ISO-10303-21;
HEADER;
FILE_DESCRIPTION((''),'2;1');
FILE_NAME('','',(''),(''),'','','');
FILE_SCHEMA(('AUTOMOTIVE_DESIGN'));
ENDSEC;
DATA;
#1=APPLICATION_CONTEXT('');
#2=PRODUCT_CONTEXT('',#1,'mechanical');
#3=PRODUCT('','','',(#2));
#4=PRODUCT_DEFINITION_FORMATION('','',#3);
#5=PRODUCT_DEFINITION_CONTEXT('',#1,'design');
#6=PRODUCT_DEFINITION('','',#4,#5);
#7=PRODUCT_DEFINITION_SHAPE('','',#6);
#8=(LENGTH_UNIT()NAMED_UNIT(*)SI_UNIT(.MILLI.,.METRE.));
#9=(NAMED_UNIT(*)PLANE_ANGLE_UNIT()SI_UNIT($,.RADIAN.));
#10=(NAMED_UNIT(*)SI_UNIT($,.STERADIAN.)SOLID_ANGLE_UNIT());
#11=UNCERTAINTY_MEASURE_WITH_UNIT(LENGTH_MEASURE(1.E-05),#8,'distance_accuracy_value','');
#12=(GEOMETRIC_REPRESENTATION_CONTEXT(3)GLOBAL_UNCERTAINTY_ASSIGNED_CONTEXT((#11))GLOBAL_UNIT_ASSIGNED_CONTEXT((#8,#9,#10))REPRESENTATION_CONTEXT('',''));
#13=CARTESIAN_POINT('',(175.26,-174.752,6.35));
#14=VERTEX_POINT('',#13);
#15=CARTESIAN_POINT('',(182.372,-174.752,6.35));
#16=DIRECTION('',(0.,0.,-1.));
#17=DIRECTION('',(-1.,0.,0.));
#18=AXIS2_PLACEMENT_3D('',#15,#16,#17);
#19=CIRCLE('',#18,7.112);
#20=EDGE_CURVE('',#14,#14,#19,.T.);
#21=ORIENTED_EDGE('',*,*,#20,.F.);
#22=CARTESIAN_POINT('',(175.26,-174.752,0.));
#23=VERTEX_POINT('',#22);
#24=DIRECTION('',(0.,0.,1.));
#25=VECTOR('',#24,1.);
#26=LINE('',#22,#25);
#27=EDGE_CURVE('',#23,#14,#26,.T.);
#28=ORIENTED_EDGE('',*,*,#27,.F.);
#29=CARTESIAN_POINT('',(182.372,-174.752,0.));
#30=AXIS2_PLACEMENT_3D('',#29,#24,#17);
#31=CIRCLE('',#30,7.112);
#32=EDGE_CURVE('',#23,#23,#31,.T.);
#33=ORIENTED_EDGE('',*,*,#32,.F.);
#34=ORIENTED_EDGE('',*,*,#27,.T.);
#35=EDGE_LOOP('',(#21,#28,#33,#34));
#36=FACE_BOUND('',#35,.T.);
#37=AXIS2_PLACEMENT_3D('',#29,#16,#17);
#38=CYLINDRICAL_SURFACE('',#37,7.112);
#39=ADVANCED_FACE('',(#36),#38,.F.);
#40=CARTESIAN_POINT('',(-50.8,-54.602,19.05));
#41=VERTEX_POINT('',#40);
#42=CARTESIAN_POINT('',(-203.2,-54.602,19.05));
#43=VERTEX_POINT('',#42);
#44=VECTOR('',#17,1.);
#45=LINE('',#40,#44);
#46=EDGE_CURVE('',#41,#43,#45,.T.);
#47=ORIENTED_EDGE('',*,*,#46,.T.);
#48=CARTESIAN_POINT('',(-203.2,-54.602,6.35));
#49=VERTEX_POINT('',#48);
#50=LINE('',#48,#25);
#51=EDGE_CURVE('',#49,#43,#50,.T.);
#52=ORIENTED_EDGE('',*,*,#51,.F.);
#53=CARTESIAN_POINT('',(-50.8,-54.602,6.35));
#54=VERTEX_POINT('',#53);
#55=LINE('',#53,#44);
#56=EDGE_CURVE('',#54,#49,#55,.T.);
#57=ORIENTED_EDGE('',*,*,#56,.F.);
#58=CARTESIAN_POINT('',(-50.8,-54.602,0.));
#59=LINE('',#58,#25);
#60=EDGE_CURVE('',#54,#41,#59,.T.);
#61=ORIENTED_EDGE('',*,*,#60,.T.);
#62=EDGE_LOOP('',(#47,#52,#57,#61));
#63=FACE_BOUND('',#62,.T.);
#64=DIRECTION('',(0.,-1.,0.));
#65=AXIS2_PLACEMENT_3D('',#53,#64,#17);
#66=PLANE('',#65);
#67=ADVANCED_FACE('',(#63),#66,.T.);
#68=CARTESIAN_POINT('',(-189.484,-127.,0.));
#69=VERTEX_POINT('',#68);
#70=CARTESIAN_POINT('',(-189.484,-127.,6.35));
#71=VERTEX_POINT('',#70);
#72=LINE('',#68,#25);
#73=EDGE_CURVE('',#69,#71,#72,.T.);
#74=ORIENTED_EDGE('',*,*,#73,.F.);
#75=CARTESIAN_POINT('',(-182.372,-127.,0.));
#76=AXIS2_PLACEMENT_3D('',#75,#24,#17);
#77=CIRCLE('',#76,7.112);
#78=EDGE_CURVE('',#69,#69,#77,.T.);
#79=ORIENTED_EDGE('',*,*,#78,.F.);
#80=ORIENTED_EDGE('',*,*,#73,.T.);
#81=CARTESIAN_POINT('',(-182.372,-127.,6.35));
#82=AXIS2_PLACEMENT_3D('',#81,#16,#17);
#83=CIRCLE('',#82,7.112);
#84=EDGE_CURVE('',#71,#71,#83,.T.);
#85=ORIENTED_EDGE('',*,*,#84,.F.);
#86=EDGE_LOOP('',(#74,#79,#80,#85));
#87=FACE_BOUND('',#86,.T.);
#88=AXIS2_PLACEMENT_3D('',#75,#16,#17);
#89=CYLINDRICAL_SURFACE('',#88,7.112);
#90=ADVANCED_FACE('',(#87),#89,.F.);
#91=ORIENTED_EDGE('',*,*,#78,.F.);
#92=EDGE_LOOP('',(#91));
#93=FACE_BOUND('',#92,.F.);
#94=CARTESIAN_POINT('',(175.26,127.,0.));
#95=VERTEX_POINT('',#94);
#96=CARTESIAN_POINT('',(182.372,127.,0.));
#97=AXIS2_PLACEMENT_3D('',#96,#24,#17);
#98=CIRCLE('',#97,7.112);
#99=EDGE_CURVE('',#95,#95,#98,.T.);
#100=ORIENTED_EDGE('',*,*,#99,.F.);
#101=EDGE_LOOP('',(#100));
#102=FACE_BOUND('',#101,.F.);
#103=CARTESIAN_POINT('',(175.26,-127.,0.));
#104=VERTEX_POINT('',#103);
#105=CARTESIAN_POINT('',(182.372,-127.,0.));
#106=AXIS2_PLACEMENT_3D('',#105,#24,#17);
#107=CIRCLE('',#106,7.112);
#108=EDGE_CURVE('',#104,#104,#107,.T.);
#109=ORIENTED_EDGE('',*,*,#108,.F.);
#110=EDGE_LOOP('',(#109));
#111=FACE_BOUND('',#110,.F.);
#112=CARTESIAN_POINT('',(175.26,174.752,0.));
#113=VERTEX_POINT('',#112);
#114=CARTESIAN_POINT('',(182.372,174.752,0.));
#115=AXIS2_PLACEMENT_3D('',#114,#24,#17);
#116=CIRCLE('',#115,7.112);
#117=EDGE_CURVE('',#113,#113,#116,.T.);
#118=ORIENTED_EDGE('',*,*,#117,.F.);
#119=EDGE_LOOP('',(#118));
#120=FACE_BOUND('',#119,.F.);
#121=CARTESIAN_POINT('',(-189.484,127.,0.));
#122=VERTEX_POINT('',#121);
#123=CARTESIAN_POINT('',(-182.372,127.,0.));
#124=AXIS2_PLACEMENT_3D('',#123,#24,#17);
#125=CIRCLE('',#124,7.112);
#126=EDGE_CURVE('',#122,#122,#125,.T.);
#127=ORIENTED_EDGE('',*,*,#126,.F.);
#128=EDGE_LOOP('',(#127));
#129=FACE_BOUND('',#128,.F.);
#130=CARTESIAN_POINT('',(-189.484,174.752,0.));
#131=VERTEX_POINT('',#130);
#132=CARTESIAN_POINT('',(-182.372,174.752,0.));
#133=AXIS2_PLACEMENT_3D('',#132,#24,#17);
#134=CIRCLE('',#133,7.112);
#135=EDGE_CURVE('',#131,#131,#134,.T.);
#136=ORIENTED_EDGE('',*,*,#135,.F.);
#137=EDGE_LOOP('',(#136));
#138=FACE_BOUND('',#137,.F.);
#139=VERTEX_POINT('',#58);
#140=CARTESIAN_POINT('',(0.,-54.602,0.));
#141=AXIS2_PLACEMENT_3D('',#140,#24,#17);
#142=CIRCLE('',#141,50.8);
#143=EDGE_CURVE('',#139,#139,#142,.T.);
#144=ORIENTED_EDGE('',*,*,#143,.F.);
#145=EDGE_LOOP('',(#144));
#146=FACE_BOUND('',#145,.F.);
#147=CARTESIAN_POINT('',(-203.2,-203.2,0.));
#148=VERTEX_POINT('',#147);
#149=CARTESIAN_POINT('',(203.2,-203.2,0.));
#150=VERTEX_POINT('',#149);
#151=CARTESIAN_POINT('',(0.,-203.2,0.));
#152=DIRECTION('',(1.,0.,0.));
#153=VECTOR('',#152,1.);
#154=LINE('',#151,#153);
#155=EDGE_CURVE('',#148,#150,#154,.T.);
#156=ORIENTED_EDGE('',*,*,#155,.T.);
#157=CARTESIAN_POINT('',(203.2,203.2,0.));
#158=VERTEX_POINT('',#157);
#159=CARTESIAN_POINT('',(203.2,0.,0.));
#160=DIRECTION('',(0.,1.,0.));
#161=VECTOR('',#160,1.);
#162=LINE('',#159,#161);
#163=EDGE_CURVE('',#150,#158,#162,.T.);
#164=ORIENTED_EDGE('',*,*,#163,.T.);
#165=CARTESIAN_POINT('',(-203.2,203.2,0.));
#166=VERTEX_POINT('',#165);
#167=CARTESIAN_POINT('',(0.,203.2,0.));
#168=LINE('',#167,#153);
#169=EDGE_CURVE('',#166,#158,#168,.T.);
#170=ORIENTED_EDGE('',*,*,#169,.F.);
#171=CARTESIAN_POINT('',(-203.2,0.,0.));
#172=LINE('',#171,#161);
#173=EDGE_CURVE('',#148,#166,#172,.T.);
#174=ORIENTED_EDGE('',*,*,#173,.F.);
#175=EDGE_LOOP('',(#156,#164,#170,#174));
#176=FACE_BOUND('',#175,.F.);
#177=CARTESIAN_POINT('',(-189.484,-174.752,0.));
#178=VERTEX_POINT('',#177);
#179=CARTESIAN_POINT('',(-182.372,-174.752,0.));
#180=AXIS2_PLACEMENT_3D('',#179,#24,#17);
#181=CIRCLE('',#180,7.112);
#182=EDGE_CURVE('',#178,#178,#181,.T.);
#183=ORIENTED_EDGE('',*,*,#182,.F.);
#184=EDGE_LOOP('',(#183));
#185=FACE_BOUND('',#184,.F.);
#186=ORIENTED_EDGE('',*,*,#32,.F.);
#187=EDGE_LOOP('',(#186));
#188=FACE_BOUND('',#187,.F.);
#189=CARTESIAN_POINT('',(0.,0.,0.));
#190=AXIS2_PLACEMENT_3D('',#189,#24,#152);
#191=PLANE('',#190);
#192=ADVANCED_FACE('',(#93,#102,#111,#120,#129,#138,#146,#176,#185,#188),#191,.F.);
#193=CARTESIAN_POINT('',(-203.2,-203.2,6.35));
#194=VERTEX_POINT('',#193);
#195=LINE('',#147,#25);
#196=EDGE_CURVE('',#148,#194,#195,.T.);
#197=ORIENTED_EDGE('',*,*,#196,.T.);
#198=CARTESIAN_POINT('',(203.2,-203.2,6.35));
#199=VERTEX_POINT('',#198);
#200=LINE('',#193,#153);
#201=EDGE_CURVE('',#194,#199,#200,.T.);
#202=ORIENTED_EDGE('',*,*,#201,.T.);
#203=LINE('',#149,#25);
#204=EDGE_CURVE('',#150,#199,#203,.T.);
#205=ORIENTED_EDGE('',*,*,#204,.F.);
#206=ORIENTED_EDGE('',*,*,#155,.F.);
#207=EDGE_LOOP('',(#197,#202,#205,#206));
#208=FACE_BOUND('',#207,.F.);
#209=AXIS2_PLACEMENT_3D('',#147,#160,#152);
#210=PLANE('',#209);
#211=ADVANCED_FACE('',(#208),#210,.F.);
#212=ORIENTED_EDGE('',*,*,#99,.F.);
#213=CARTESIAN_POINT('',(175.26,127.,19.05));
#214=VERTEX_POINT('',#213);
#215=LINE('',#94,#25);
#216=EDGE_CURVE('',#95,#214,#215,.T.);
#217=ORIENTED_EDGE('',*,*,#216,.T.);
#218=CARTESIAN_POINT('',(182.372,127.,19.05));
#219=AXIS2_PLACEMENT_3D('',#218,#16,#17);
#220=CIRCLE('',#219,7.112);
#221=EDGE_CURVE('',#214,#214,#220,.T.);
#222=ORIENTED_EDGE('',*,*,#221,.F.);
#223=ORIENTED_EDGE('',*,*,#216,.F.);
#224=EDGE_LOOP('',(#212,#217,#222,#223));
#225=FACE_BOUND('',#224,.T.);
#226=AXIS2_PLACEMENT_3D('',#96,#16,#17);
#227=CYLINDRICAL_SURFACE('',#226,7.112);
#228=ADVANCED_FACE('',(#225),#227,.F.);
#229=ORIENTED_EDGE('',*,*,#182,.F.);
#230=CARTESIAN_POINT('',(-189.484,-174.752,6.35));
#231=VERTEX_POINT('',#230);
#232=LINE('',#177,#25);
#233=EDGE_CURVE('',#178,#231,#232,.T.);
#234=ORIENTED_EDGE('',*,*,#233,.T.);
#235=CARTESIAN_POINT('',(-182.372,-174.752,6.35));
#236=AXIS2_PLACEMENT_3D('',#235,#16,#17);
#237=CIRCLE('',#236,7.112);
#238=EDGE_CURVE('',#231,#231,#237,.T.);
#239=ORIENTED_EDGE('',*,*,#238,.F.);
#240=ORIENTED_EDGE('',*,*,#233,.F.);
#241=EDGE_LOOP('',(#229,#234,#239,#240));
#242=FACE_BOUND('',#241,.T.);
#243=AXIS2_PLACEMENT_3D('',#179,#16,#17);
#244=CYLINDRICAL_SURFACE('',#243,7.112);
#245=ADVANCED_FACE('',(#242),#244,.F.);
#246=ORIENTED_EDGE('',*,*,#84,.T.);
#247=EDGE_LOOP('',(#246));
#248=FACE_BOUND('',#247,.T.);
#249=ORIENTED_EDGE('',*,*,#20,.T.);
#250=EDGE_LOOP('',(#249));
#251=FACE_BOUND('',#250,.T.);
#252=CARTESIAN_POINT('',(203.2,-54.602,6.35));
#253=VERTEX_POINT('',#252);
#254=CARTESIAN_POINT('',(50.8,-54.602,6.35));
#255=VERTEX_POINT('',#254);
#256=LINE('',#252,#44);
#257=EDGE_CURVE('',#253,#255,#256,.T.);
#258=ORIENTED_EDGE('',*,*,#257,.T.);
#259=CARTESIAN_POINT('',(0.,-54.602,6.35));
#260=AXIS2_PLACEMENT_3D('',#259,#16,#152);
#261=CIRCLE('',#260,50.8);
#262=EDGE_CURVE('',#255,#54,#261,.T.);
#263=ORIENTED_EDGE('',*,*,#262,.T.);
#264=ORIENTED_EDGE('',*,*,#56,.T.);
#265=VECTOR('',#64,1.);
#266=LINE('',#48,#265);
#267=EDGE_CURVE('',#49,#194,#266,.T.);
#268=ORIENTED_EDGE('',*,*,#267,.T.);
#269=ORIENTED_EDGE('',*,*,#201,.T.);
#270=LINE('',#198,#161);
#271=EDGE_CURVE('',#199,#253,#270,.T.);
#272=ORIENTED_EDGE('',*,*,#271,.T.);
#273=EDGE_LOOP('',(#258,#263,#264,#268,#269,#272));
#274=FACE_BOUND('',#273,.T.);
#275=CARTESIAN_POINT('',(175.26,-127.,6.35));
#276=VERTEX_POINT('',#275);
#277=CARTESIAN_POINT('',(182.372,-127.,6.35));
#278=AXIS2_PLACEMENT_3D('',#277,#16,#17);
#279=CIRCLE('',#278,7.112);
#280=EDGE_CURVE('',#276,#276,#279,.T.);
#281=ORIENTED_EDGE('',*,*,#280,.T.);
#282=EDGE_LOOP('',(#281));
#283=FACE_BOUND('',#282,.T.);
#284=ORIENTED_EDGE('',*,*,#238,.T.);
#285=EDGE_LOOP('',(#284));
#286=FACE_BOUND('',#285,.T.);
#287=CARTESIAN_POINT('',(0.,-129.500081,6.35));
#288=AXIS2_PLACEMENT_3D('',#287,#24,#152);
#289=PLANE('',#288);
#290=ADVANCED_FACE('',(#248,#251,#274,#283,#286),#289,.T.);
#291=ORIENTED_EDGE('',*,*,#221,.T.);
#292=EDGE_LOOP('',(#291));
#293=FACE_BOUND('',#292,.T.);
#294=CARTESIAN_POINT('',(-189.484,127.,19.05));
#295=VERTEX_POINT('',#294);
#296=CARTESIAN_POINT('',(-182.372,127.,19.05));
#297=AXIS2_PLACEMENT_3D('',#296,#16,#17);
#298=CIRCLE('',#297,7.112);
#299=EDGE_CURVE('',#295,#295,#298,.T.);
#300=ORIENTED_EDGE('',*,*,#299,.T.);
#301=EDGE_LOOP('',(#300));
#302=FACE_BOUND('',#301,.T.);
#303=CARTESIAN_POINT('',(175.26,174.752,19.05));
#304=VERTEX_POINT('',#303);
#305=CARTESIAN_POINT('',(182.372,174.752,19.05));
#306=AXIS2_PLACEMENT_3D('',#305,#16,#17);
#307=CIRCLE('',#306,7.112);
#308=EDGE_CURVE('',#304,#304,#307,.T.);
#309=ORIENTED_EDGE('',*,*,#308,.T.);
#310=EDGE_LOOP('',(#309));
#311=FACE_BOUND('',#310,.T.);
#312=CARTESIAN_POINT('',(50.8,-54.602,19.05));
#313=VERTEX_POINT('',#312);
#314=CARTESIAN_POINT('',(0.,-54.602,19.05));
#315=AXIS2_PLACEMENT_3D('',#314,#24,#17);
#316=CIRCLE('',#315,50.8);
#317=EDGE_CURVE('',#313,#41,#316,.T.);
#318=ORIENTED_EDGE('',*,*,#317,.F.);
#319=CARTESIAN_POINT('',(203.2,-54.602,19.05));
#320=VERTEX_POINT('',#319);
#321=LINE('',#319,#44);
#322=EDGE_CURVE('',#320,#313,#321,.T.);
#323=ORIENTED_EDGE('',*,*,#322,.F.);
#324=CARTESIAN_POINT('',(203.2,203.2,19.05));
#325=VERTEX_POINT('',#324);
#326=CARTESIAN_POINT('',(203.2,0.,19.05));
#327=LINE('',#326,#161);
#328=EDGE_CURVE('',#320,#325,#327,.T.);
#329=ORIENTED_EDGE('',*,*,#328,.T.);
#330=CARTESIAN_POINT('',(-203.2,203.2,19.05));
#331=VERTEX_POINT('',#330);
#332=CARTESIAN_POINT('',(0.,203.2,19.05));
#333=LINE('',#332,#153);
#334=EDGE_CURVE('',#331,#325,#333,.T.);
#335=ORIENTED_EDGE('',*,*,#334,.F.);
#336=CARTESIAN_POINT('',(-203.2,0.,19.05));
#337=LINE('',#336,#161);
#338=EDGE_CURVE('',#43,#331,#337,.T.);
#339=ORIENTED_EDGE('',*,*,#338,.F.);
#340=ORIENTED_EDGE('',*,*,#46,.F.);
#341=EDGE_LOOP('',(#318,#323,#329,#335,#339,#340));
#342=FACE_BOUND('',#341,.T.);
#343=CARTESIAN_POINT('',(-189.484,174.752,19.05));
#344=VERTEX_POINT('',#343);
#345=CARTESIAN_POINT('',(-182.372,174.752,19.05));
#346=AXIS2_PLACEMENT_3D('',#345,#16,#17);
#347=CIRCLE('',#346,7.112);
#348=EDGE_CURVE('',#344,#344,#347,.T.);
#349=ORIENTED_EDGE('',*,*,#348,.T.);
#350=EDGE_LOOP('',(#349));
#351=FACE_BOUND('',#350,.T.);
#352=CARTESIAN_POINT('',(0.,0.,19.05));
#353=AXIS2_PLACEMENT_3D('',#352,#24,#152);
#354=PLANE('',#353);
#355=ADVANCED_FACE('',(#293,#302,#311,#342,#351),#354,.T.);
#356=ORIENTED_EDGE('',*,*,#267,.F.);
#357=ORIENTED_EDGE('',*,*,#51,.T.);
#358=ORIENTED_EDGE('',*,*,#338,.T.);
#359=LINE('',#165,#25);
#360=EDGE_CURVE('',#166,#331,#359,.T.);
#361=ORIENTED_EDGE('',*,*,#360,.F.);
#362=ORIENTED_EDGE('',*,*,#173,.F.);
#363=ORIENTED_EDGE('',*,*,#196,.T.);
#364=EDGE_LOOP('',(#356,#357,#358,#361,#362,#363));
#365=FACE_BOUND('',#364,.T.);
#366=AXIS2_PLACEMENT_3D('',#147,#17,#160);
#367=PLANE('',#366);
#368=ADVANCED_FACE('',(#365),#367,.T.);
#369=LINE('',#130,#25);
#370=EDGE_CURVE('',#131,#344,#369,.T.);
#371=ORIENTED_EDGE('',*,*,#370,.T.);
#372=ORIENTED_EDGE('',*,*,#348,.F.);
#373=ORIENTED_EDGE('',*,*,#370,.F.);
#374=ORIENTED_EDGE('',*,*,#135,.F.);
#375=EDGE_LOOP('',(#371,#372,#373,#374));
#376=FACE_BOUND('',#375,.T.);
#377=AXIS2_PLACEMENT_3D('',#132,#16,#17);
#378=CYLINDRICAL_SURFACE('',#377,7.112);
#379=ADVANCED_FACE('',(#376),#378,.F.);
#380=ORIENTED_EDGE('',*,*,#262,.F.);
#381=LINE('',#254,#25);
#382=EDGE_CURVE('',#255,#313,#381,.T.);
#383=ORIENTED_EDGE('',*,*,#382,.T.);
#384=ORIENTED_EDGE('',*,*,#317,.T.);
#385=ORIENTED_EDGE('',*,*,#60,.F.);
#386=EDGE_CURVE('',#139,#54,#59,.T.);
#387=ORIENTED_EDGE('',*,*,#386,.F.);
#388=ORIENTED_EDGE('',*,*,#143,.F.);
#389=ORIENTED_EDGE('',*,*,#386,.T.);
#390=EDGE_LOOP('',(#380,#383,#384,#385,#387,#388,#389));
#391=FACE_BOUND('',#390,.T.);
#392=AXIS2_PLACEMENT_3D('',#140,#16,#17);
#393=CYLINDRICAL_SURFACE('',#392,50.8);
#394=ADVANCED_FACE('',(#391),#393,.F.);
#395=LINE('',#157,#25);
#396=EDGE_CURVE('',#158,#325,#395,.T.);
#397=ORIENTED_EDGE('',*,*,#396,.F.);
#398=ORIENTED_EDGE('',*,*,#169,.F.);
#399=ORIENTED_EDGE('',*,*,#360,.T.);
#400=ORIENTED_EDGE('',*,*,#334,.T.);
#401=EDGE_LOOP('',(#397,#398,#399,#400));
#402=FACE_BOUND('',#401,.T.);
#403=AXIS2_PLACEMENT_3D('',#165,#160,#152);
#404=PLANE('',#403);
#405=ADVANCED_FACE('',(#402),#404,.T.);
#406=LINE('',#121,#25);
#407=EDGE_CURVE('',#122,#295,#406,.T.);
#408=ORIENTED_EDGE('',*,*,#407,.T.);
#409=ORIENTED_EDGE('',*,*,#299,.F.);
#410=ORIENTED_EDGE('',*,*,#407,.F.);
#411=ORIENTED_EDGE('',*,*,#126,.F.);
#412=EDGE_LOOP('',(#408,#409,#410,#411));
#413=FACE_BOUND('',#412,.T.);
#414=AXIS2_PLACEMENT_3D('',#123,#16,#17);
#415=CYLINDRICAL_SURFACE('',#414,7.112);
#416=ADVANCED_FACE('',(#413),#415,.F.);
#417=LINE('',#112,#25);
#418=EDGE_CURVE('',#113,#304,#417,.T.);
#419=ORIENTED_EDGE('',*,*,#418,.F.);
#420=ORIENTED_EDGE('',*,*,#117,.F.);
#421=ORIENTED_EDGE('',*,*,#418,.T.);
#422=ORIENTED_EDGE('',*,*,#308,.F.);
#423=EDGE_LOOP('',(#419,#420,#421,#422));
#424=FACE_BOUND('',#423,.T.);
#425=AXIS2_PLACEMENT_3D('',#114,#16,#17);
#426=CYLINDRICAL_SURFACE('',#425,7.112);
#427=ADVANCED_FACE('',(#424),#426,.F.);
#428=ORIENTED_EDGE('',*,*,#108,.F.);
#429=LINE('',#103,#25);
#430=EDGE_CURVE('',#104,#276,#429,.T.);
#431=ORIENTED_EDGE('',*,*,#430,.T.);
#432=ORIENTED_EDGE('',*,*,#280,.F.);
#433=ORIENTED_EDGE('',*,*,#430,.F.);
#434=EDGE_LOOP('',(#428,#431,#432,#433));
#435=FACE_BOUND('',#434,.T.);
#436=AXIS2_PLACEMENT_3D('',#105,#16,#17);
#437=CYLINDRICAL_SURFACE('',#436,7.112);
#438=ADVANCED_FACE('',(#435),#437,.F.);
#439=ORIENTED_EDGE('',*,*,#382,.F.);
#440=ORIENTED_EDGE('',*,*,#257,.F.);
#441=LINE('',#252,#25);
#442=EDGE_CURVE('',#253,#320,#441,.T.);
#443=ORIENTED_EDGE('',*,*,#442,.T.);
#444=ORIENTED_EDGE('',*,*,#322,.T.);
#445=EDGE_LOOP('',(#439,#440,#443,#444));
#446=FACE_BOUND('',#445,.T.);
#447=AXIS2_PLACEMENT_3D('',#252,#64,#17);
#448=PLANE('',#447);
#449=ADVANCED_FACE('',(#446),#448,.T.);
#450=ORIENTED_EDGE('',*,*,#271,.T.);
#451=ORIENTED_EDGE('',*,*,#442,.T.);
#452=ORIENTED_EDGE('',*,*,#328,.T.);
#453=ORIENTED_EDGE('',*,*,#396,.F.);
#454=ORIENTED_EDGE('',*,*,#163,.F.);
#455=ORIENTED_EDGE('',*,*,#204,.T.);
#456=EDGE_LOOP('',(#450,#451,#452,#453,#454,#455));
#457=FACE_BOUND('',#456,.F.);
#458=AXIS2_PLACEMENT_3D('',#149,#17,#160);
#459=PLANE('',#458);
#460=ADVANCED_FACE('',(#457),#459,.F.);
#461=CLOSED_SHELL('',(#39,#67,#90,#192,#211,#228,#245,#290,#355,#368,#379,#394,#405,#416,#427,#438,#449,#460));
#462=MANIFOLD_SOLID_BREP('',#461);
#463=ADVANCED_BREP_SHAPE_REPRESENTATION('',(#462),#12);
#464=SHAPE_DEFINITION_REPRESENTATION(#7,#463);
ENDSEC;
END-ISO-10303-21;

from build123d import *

# Parameters (mm, degrees)
SKETCH_1_W          = 406.4
SKETCH_1_H          = 406.4
SKETCH_1_R          = 50.8
EXTRUDE_1_DEPTH     = 19.05
CUT_EXTRUDE_START   = -12.7
CUT_EXTRUDE_1_DEPTH = 12.7
SKETCH_4_R          = 7.112
CUT_EXTRUDE_4_DEPTH = 288.998927949


with BuildPart() as part:
    # 草图1 → 凸台-拉伸1 (new body)
    with BuildSketch(Plane.XY):
        Rectangle(SKETCH_1_W, SKETCH_1_H)
        with Locations(Location((0, -54.602000016, 0), (0, 0, 180))):
            Circle(SKETCH_1_R, mode=Mode.SUBTRACT)
    extrude(amount=EXTRUDE_1_DEPTH)

    # 草图3 → 切除-拉伸1 (cut)
    with BuildSketch(Plane.XY.offset(19.05).offset(CUT_EXTRUDE_START)):
        with BuildLine():
            Line((-50.8, -54.602000016), (-203.2, -54.602000016))
            Line((-203.2, -54.602000016), (-203.2, -203.2))
            Line((-203.2, -203.2), (203.2, -203.2))
            Line((203.2, -203.2), (203.2, -54.602000016))
            Line((203.2, -54.602000016), (50.8, -54.602000016))
            ThreePointArc((50.8, -54.602000016), (0, -105.402000016), (-50.8, -54.602000016))
        make_face()
    extrude(amount=CUT_EXTRUDE_1_DEPTH, mode=Mode.SUBTRACT)

    # 草图4 → 切除-拉伸4 (cut, through all)
    with BuildSketch(Plane.XY):
        with Locations(Location((-182.372, 174.752, 0), (0, 0, 180))):
            Circle(SKETCH_4_R)
        with Locations(Location((-182.372, 127, 0), (0, 0, 180))):
            Circle(SKETCH_4_R)
        with Locations(Location((182.372, 127, 0), (0, 0, 180))):
            Circle(SKETCH_4_R)
        with Locations(Location((182.372, 174.752, 0), (0, 0, 180))):
            Circle(SKETCH_4_R)
        with Locations(Location((182.372, -174.752, 0), (0, 0, 180))):
            Circle(SKETCH_4_R)
        with Locations(Location((182.372, -127, 0), (0, 0, 180))):
            Circle(SKETCH_4_R)
        with Locations(Location((-182.372, -174.752, 0), (0, 0, 180))):
            Circle(SKETCH_4_R)
        with Locations(Location((-182.372, -127, 0), (0, 0, 180))):
            Circle(SKETCH_4_R)
    extrude(amount=CUT_EXTRUDE_4_DEPTH, mode=Mode.SUBTRACT)


solid = part.part
